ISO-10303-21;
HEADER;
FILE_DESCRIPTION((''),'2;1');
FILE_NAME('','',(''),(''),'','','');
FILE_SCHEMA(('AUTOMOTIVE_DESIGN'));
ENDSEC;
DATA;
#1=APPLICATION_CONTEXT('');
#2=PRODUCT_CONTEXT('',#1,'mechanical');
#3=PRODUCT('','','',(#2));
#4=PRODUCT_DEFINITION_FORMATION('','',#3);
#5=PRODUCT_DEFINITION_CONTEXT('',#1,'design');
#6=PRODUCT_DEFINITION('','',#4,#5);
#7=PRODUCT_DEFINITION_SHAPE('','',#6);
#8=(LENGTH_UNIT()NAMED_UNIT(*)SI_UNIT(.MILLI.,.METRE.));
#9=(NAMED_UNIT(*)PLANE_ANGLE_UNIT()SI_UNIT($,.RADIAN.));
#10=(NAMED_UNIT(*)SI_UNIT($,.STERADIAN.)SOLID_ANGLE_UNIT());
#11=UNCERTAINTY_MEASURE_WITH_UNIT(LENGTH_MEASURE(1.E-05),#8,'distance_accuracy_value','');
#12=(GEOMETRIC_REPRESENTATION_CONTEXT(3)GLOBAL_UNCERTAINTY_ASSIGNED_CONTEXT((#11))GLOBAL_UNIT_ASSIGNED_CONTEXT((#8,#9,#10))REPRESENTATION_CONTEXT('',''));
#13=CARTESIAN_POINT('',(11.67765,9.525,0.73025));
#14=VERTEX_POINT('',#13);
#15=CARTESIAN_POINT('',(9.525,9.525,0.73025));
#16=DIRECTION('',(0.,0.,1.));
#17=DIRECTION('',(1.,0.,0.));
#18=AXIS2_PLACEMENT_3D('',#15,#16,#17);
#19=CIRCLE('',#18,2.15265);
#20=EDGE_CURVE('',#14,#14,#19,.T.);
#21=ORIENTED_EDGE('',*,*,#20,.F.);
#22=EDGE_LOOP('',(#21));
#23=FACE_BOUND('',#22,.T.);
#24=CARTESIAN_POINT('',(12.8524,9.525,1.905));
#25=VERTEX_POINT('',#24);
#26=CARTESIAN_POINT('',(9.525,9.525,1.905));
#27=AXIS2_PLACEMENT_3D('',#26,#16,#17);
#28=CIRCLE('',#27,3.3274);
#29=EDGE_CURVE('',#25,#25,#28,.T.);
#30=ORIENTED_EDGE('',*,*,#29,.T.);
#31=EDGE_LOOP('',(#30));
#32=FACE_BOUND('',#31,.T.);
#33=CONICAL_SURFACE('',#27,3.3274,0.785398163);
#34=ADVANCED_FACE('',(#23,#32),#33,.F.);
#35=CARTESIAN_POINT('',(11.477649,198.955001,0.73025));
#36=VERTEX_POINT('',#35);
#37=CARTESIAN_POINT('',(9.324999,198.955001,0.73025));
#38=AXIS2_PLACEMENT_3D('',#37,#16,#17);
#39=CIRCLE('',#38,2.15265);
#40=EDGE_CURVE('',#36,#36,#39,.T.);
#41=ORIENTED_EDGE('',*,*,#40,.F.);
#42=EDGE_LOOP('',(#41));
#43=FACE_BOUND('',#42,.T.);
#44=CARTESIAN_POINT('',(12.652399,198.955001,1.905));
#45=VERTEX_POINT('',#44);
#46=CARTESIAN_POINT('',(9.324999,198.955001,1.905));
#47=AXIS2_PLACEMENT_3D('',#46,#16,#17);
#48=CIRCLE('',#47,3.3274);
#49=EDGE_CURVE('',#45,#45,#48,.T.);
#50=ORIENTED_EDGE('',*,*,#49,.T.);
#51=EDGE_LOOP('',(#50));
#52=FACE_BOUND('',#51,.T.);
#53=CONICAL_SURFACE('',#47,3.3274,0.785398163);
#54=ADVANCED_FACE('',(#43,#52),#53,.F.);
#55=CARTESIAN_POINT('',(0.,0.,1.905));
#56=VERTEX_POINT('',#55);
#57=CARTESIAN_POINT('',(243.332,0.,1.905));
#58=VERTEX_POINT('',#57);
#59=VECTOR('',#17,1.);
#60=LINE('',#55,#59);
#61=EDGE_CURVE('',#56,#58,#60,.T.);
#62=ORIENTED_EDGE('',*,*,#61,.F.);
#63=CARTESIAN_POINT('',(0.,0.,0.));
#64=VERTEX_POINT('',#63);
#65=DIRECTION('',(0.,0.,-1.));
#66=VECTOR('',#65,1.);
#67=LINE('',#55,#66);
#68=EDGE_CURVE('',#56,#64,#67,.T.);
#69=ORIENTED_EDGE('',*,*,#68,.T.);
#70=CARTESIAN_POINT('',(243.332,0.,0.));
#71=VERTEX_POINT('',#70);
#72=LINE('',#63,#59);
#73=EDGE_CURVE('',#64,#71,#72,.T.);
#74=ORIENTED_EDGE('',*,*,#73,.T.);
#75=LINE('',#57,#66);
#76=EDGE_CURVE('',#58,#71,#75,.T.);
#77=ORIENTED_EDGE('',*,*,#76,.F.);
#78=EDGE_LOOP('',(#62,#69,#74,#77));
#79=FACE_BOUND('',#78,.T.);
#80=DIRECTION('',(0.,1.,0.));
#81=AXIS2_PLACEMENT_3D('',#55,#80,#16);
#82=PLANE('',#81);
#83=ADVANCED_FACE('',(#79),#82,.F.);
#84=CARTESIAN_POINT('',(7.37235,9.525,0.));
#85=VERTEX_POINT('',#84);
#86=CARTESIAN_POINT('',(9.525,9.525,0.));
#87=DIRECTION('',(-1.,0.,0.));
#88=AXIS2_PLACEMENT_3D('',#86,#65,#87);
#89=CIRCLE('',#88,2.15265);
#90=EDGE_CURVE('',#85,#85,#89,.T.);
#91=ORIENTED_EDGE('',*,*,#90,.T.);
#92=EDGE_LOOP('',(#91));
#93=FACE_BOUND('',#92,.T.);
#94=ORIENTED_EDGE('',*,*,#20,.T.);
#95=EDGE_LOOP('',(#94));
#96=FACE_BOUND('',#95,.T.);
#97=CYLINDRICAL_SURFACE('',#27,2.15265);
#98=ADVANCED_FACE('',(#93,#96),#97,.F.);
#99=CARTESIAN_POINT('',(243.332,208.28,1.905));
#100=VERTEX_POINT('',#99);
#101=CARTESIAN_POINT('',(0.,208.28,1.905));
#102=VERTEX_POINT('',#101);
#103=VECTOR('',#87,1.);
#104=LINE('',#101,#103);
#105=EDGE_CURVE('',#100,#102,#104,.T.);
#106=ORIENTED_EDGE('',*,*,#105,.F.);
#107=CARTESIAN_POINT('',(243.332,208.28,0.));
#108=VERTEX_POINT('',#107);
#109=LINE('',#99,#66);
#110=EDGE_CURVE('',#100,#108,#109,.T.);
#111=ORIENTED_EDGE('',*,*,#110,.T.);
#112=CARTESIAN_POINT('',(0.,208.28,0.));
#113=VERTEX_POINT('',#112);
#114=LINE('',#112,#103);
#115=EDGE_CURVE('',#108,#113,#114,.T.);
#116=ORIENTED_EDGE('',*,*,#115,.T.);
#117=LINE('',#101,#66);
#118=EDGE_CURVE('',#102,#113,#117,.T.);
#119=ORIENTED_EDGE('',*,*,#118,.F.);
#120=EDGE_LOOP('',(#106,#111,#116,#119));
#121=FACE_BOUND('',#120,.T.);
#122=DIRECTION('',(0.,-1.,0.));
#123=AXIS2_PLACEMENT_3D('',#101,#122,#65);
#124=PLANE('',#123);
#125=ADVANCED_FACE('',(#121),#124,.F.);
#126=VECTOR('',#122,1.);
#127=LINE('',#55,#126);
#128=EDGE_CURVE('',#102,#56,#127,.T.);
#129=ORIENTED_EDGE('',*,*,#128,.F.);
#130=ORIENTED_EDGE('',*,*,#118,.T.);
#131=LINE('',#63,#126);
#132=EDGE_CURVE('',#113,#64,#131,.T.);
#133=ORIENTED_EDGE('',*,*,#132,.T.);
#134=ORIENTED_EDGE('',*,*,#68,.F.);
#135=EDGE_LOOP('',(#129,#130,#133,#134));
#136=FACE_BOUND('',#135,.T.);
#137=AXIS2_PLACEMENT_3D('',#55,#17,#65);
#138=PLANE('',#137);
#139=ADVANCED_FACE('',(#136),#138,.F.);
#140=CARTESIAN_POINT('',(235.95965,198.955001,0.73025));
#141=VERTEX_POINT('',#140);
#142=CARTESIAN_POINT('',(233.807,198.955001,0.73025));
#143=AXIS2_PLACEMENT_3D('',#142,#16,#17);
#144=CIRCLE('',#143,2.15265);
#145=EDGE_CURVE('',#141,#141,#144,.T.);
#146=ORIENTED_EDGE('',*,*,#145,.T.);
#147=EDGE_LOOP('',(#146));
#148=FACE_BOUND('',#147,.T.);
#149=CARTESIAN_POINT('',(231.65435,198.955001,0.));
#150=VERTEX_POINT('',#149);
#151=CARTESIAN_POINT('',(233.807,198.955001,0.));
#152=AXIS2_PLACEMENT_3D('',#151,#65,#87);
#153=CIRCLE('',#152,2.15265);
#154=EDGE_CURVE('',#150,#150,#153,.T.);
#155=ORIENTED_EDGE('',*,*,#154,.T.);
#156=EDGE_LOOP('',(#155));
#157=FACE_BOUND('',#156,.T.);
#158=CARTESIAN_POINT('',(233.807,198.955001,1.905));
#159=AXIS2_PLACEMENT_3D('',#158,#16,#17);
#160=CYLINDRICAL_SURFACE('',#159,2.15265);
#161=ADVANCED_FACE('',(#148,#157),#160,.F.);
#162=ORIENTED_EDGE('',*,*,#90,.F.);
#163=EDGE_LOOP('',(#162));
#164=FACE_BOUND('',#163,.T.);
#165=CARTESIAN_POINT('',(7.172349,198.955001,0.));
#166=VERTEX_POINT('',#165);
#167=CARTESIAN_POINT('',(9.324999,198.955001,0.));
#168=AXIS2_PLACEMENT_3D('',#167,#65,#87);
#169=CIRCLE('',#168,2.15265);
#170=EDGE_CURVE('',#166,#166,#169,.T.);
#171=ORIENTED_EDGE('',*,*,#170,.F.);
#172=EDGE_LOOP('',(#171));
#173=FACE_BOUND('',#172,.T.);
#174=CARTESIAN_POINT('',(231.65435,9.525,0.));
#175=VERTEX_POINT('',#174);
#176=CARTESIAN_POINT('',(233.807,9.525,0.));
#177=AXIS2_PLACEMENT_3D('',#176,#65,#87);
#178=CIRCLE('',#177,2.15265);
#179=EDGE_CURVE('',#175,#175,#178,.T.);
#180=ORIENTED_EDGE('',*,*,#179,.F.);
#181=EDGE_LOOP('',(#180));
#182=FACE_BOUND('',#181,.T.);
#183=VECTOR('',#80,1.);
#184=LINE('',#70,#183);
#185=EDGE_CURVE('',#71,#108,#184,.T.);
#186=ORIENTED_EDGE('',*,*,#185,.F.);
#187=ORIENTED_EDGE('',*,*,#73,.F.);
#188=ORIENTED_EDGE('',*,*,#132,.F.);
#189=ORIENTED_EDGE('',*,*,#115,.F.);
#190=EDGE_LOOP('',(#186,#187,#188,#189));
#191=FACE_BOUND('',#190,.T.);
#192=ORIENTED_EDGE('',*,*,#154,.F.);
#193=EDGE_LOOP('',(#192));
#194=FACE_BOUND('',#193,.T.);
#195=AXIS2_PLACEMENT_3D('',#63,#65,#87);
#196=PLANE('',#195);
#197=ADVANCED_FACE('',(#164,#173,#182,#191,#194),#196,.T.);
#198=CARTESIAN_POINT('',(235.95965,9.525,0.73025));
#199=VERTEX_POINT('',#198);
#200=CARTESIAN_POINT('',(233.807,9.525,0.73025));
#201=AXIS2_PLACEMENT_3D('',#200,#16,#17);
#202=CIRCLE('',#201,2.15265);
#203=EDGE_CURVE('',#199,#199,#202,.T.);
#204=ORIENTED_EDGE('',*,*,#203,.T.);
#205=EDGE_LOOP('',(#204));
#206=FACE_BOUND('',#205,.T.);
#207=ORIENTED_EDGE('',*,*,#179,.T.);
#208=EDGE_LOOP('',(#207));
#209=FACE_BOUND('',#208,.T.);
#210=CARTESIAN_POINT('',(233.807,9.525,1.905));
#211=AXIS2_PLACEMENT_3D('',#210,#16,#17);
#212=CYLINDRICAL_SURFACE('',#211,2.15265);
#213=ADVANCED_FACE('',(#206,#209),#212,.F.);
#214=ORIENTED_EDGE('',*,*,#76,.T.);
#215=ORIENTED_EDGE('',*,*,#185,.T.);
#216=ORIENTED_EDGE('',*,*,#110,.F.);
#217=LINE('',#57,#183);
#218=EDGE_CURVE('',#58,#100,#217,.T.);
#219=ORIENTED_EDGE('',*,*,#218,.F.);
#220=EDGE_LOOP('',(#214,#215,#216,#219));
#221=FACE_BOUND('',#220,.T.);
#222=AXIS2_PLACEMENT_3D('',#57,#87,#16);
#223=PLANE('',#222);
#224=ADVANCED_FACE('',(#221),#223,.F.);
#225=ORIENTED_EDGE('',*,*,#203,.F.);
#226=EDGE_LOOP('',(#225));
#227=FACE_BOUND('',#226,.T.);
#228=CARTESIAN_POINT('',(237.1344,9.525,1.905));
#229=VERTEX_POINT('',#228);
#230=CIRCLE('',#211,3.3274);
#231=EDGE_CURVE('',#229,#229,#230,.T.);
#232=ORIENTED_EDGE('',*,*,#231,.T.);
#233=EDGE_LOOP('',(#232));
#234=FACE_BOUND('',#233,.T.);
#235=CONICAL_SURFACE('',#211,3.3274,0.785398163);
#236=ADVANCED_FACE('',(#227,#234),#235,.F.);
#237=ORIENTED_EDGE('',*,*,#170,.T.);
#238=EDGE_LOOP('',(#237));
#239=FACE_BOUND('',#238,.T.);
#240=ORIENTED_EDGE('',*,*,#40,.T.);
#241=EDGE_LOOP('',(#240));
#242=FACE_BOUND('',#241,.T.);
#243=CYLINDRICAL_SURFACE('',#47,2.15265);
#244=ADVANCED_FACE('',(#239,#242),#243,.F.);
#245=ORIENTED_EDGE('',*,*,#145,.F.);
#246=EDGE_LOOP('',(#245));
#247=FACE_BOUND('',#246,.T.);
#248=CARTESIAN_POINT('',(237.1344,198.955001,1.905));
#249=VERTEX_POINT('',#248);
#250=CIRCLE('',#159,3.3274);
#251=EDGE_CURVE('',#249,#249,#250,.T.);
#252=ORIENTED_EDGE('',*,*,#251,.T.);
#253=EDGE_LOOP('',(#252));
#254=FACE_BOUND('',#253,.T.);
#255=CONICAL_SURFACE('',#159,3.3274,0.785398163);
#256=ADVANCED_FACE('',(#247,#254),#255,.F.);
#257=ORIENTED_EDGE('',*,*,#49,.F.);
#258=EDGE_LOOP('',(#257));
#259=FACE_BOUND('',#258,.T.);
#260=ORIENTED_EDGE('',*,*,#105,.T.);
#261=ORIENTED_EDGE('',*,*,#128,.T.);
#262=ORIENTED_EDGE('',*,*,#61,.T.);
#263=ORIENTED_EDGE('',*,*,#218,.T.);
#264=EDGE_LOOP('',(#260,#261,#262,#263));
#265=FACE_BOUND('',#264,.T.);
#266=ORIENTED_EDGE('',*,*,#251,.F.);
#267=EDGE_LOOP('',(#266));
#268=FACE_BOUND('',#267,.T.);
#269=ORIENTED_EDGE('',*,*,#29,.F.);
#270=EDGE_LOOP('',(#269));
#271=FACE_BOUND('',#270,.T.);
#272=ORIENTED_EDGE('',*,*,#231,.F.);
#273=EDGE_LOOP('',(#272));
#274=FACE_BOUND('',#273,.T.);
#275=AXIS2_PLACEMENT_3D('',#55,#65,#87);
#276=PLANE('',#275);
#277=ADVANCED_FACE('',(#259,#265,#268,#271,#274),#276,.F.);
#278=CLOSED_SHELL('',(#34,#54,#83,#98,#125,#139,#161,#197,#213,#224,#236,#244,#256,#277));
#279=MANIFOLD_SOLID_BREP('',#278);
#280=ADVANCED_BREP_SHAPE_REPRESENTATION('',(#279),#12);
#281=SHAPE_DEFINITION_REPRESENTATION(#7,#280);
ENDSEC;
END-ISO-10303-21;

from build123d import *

# Parameters (mm, degrees)
SKETCH1_W                      = 243.332
SKETCH1_H                      = 208.28
BOSS_EXTRUDE1_DEPTH            = 1.905
F_6_CLEARANCE_HOLE1_AT_2_COUNT = 2
F_6_CLEARANCE_HOLE1_AT_2_PITCH = 224.482001
F_6_CLEARANCE_HOLE1_AT_3_COUNT = 2
F_6_CLEARANCE_HOLE1_AT_3_PITCH = 293.727584765
F_6_CLEARANCE_HOLE1_AT_4_COUNT = 2
F_6_CLEARANCE_HOLE1_AT_4_PITCH = 189.430106581


with BuildPart() as part:
    # Sketch1 → Boss-Extrude1 (new body)
    with BuildSketch(Plane.XY):
        with Locations((121.666, 104.14)):
            Rectangle(SKETCH1_W, SKETCH1_H)
    extrude(amount=BOSS_EXTRUDE1_DEPTH)

    # Sketch5 → #6 Clearance Hole1 (revolve, cut)
    with BuildSketch(Plane(origin=(9.324999, 198.955001, 1.905), x_dir=(0, -1, 0), z_dir=(1, 0, 0))):
        Polygon((0, 0), (0, 1.905), (2.15265, 1.905), (2.15265, 1.17475), (3.3274, 0), align=None)
    f_6_clearance_hole1 = revolve(axis=Axis((9.324999, 198.955001, 8.255), (0, 0, -1)), mode=Mode.SUBTRACT)

    # #6 Clearance Hole1 at 2: #6 Clearance Hole1 ×2
    with Locations(*[(i * F_6_CLEARANCE_HOLE1_AT_2_PITCH, 0, 0) for i in range(1, F_6_CLEARANCE_HOLE1_AT_2_COUNT)]):
        add(f_6_clearance_hole1, mode=Mode.SUBTRACT)

    # #6 Clearance Hole1 at 3: #6 Clearance Hole1 ×2
    with Locations(*[Vector(0.7642523639026707, -0.6449173003332906, 0) * (i * F_6_CLEARANCE_HOLE1_AT_3_PITCH) for i in range(1, F_6_CLEARANCE_HOLE1_AT_3_COUNT)]):
        add(f_6_clearance_hole1, mode=Mode.SUBTRACT)

    # #6 Clearance Hole1 at 4: #6 Clearance Hole1 ×2
    with Locations(*[Vector(0.0010558036608261825, -0.9999994426391596, 0) * (i * F_6_CLEARANCE_HOLE1_AT_4_PITCH) for i in range(1, F_6_CLEARANCE_HOLE1_AT_4_COUNT)]):
        add(f_6_clearance_hole1, mode=Mode.SUBTRACT)


solid = part.part
